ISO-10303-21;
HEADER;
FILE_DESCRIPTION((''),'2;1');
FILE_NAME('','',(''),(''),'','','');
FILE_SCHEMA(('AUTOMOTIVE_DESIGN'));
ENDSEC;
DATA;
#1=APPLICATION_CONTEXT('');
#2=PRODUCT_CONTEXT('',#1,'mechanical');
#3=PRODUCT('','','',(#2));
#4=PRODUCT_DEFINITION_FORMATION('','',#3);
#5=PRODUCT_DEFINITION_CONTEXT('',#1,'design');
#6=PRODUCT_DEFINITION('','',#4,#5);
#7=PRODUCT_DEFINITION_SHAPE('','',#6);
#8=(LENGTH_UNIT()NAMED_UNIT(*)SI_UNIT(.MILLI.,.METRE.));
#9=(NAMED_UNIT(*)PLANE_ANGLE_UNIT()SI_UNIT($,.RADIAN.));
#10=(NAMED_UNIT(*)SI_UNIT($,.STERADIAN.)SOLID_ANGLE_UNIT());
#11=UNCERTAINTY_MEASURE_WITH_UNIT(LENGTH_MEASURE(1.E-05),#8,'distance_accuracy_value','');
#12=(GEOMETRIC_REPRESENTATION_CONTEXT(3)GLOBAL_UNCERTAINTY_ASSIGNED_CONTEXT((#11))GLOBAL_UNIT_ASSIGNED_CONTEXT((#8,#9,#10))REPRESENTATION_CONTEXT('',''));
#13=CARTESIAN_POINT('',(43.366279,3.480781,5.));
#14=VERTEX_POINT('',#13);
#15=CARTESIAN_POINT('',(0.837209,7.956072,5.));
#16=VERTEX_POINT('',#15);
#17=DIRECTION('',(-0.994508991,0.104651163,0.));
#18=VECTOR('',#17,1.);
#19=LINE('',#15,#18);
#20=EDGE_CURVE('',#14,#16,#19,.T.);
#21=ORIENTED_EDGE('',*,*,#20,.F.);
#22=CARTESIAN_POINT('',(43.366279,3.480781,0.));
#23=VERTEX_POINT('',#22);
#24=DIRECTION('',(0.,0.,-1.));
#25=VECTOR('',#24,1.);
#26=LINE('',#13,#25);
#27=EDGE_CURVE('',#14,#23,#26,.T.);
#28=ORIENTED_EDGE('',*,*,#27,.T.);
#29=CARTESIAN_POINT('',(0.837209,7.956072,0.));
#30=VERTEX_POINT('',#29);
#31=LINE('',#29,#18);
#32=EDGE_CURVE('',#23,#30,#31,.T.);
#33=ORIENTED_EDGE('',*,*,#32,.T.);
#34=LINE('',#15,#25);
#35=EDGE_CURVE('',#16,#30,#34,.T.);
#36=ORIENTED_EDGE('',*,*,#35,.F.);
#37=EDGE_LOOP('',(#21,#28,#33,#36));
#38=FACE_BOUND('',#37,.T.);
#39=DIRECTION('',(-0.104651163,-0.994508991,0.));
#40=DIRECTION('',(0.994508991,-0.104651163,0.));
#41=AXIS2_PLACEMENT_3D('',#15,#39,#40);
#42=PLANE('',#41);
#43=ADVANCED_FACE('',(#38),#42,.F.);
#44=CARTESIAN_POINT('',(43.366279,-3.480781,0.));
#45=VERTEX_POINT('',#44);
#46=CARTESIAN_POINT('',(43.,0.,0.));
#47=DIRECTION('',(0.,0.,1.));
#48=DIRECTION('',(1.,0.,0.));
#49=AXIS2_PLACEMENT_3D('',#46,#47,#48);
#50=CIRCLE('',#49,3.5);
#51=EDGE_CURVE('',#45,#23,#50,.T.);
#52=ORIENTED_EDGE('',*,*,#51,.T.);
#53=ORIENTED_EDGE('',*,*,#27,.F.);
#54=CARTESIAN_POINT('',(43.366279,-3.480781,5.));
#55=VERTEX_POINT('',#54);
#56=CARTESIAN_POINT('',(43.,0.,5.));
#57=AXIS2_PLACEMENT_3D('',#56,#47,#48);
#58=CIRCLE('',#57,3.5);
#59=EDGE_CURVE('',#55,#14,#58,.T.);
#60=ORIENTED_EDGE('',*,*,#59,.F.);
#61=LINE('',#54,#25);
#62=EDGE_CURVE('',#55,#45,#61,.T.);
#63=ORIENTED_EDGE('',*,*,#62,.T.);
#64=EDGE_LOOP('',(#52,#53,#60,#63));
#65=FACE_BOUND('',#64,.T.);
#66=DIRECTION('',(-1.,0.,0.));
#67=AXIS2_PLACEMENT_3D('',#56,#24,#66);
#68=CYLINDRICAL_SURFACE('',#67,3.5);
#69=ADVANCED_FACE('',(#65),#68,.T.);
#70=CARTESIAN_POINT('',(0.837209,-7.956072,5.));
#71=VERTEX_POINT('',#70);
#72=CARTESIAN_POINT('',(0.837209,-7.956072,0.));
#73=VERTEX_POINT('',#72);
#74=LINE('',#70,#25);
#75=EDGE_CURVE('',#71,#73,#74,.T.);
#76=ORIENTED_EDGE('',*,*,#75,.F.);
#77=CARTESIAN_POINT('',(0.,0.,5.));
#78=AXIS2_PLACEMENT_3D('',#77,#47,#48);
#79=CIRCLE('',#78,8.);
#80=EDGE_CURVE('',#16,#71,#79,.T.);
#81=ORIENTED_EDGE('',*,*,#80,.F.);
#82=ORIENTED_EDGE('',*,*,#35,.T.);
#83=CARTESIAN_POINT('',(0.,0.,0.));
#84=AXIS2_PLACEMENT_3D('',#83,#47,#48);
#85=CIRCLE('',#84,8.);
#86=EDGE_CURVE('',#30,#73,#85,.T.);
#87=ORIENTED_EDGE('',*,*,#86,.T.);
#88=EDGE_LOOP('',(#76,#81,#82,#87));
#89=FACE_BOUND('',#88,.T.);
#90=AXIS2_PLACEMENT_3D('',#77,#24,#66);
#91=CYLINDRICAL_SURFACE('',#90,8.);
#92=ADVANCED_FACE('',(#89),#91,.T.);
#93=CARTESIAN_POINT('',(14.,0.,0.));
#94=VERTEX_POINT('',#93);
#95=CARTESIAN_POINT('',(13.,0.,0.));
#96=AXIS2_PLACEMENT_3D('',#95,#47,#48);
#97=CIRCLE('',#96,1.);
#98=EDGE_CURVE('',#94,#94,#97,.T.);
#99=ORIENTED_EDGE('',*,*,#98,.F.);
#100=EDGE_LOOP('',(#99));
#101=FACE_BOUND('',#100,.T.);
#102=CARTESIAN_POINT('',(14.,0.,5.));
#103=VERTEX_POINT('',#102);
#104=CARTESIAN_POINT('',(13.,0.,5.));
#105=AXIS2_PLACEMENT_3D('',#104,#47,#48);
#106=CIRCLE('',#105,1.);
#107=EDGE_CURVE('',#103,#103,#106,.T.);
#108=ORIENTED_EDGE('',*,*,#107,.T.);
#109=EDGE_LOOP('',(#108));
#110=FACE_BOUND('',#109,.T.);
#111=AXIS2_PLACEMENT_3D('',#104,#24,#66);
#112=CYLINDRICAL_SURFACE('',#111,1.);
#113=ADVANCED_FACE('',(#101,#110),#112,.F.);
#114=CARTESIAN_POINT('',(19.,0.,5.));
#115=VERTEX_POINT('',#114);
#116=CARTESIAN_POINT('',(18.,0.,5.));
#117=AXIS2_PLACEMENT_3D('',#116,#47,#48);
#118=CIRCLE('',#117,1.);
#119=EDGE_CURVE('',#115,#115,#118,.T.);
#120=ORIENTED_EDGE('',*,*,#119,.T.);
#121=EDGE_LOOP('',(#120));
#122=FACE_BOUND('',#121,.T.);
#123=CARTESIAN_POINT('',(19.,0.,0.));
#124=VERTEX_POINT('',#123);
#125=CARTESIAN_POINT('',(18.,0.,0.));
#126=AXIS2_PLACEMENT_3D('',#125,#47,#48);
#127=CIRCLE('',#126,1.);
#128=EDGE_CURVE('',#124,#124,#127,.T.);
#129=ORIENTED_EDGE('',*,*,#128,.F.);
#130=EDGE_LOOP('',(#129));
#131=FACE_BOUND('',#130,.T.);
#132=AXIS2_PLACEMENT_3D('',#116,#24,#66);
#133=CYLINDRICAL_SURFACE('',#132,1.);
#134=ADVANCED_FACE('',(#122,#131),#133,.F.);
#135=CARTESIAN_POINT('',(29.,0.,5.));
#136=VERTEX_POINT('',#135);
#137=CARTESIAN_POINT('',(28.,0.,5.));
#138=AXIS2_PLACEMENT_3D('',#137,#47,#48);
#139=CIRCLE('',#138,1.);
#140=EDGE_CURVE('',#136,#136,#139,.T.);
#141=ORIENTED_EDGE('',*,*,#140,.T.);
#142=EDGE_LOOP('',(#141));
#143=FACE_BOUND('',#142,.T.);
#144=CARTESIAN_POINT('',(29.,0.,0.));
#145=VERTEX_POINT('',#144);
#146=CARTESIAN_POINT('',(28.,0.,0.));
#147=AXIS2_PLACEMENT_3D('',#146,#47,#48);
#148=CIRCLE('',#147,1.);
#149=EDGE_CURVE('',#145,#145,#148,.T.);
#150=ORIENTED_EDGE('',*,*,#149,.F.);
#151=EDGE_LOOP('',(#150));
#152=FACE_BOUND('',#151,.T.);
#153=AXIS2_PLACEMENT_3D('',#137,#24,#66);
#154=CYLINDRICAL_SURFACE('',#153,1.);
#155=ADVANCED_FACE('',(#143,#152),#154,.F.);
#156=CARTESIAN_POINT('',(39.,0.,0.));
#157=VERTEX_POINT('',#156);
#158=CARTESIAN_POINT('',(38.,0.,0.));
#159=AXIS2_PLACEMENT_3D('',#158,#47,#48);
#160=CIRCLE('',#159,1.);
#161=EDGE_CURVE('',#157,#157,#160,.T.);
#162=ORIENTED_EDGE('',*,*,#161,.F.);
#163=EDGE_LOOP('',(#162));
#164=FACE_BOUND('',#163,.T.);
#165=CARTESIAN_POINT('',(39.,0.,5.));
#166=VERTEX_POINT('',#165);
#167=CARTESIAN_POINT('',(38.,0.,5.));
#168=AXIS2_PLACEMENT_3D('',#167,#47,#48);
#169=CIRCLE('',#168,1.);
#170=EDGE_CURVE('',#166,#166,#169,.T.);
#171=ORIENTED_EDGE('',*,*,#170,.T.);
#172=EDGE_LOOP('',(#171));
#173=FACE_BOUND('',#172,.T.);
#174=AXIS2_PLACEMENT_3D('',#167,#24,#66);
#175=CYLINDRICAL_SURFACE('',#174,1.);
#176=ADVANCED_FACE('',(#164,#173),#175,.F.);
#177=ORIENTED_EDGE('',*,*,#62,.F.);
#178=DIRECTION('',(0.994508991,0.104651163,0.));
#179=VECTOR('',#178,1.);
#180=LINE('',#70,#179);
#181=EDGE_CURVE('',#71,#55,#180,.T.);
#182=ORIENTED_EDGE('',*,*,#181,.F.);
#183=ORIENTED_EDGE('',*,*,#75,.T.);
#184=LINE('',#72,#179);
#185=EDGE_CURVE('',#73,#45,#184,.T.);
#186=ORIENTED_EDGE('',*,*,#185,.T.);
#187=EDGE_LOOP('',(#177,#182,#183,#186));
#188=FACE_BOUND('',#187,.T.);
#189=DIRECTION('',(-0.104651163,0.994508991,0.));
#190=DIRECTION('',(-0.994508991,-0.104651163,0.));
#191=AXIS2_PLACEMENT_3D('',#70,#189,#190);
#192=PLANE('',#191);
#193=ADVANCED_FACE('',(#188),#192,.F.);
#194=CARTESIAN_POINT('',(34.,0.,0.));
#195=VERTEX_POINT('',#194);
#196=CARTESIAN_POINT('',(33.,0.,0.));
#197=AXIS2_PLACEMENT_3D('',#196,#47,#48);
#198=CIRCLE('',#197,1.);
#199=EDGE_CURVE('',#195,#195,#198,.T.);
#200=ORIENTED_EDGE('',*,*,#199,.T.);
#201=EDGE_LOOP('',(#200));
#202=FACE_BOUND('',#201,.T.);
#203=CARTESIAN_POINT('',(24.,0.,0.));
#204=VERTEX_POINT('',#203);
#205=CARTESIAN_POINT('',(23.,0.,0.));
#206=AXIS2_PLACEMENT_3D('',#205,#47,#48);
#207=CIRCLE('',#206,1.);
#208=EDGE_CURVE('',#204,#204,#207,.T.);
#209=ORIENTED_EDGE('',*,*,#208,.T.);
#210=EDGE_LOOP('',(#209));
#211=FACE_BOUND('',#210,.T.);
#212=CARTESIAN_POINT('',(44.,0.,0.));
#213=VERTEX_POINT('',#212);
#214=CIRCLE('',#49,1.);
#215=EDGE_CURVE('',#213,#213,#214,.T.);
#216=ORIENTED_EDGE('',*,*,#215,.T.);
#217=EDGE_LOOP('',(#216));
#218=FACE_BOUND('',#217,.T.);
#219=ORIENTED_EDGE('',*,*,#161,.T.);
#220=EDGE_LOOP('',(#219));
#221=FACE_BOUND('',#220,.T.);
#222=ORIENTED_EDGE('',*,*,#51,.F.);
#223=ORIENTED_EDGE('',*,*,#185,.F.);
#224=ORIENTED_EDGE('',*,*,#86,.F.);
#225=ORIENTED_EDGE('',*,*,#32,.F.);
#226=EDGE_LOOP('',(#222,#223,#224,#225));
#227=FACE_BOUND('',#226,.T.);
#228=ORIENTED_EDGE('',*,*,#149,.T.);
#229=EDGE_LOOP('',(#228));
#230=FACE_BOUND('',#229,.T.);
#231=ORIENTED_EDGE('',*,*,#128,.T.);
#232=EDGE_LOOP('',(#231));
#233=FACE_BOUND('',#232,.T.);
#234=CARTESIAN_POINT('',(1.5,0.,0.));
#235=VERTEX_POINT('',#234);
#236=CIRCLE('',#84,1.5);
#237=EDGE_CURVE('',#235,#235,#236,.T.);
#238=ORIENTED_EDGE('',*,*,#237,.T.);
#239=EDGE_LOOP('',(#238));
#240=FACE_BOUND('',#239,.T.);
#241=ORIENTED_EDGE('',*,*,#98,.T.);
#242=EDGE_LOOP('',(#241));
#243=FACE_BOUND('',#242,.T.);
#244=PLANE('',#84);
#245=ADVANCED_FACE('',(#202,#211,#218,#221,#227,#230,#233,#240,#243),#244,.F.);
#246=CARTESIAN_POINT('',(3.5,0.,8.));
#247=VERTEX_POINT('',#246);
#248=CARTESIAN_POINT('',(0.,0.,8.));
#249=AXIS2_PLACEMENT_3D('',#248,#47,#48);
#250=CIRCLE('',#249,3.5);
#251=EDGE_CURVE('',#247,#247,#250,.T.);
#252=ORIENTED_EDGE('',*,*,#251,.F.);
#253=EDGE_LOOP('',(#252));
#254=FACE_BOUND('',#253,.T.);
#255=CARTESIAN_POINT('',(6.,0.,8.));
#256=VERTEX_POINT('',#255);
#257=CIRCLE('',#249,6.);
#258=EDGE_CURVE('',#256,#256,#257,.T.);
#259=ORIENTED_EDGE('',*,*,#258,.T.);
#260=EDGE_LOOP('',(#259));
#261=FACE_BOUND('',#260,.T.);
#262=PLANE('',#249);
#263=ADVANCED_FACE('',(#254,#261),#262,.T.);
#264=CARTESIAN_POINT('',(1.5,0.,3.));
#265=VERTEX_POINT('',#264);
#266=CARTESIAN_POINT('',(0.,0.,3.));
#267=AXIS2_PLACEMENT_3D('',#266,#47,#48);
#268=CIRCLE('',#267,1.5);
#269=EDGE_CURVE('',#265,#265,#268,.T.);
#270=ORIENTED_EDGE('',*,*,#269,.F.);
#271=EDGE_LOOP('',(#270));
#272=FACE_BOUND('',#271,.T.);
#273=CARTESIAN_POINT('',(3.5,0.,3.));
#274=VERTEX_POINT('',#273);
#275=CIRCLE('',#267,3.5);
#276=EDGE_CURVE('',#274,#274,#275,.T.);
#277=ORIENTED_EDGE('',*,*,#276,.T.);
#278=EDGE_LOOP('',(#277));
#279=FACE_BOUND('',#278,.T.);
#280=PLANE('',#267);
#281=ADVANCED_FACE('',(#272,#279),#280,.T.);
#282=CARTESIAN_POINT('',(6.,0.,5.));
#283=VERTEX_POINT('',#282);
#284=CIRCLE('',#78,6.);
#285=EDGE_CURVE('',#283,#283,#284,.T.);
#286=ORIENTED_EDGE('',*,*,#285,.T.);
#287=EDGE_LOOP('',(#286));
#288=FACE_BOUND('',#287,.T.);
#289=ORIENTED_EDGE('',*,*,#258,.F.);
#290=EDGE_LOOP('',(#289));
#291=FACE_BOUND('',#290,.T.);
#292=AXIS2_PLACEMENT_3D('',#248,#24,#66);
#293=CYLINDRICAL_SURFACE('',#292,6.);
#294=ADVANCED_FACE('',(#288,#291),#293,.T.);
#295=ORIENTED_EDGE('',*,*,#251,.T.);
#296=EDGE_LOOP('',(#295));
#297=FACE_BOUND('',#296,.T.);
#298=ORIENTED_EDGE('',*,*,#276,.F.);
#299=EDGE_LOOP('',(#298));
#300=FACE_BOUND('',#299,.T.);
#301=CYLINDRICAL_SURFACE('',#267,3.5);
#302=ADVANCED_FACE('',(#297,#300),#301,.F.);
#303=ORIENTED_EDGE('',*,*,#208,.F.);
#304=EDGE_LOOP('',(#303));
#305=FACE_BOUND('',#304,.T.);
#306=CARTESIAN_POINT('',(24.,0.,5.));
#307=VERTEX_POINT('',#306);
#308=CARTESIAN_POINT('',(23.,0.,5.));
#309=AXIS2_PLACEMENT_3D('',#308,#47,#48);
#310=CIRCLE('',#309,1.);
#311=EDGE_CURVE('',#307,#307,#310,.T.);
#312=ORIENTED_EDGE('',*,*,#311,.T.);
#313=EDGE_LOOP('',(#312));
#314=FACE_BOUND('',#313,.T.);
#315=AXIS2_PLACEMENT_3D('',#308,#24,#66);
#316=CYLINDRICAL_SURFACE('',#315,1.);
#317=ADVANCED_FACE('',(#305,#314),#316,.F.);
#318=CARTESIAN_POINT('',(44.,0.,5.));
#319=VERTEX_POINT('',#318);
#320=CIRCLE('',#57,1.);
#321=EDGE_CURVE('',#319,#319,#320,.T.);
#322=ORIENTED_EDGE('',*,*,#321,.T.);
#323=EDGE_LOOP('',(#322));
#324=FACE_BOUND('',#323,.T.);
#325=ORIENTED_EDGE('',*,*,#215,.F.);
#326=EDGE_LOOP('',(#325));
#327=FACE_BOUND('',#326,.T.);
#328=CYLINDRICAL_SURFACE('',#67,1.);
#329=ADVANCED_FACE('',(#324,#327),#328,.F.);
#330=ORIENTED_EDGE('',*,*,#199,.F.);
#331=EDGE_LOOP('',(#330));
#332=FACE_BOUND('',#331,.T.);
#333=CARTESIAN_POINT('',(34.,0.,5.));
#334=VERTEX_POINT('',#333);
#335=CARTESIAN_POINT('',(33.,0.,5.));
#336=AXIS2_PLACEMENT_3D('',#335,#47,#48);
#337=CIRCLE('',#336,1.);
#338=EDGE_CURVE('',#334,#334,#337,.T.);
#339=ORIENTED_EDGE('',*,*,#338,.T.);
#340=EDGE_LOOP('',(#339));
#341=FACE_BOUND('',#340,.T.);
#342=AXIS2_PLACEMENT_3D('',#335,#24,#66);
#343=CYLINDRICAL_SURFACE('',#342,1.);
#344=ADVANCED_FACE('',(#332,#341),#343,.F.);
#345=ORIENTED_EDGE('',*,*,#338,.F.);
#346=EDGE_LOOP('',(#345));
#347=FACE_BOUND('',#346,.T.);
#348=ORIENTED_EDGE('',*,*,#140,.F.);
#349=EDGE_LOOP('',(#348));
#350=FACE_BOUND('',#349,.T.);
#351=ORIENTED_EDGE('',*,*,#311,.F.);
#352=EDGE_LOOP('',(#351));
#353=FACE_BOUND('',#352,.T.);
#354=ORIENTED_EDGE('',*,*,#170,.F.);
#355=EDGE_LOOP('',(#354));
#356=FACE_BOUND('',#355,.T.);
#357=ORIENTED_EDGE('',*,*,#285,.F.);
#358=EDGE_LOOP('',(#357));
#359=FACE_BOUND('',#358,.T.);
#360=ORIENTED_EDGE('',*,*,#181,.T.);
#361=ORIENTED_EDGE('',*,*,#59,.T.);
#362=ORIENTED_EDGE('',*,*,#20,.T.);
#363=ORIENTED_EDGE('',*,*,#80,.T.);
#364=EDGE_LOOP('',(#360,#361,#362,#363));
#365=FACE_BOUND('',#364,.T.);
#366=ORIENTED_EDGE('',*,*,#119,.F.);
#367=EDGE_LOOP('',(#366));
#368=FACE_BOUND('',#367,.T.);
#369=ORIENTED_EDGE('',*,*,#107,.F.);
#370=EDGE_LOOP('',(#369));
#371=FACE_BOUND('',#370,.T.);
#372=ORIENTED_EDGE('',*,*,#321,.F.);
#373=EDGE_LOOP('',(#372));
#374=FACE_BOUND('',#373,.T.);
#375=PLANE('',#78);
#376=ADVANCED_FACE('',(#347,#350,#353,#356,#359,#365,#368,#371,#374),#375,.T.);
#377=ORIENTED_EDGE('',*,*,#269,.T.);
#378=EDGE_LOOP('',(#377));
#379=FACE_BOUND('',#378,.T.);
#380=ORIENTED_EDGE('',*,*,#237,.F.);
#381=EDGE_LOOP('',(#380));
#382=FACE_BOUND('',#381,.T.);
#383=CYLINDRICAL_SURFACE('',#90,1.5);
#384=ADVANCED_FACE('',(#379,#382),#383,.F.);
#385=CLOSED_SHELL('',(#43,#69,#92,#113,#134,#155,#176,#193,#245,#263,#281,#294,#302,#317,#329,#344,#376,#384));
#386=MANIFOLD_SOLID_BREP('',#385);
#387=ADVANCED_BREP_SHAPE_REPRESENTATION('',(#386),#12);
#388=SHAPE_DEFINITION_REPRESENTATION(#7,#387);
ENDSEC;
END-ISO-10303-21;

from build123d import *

# Parameters (mm, degrees)
ESQUISSE1_R             = 1
ESQUISSE1_R_2           = 1.5
BOSS_EXTRU_1_DEPTH      = 5
ESQUISSE2_R             = 6
BOSS_EXTRU_2_DEPTH      = 3
ESQUISSE3_R             = 3.5
ENL_V_MAT_EXTRU_1_DEPTH = 5


with BuildPart() as part:
    # Esquisse1 → Boss.-Extru.1 (new body)
    with BuildSketch(Plane.XY):
        with BuildLine():
            Line((0.837209302, 7.956071932), (43.36627907, 3.48078147))
            ThreePointArc((43.36627907, 3.48078147), (46.5, 0), (43.36627907, -3.48078147))
            Line((43.36627907, -3.48078147), (0.837209302, -7.956071932))
            ThreePointArc((0.837209302, -7.956071932), (-8, 0), (0.837209302, 7.956071932))
        make_face()
        with Locations((43, 0)):
            Circle(ESQUISSE1_R, mode=Mode.SUBTRACT)
        Circle(ESQUISSE1_R_2, mode=Mode.SUBTRACT)
        with Locations((38, 0)):
            Circle(ESQUISSE1_R, mode=Mode.SUBTRACT)
        with Locations((33, 0)):
            Circle(ESQUISSE1_R, mode=Mode.SUBTRACT)
        with Locations((28, 0)):
            Circle(ESQUISSE1_R, mode=Mode.SUBTRACT)
        with Locations((23, 0)):
            Circle(ESQUISSE1_R, mode=Mode.SUBTRACT)
        with Locations((18, 0)):
            Circle(ESQUISSE1_R, mode=Mode.SUBTRACT)
        with Locations((13, 0)):
            Circle(ESQUISSE1_R, mode=Mode.SUBTRACT)
    extrude(amount=BOSS_EXTRU_1_DEPTH)

    # Esquisse2 → Boss.-Extru.2 (add)
    with BuildSketch(Plane.XY.offset(5)):
        Circle(ESQUISSE2_R)
    extrude(amount=BOSS_EXTRU_2_DEPTH)

    # Esquisse3 → Enlèv. mat.-Extru.1 (cut)
    with BuildSketch(Plane.XY.offset(8)):
        Circle(ESQUISSE3_R)
    extrude(amount=-ENL_V_MAT_EXTRU_1_DEPTH, mode=Mode.SUBTRACT)


solid = part.part
